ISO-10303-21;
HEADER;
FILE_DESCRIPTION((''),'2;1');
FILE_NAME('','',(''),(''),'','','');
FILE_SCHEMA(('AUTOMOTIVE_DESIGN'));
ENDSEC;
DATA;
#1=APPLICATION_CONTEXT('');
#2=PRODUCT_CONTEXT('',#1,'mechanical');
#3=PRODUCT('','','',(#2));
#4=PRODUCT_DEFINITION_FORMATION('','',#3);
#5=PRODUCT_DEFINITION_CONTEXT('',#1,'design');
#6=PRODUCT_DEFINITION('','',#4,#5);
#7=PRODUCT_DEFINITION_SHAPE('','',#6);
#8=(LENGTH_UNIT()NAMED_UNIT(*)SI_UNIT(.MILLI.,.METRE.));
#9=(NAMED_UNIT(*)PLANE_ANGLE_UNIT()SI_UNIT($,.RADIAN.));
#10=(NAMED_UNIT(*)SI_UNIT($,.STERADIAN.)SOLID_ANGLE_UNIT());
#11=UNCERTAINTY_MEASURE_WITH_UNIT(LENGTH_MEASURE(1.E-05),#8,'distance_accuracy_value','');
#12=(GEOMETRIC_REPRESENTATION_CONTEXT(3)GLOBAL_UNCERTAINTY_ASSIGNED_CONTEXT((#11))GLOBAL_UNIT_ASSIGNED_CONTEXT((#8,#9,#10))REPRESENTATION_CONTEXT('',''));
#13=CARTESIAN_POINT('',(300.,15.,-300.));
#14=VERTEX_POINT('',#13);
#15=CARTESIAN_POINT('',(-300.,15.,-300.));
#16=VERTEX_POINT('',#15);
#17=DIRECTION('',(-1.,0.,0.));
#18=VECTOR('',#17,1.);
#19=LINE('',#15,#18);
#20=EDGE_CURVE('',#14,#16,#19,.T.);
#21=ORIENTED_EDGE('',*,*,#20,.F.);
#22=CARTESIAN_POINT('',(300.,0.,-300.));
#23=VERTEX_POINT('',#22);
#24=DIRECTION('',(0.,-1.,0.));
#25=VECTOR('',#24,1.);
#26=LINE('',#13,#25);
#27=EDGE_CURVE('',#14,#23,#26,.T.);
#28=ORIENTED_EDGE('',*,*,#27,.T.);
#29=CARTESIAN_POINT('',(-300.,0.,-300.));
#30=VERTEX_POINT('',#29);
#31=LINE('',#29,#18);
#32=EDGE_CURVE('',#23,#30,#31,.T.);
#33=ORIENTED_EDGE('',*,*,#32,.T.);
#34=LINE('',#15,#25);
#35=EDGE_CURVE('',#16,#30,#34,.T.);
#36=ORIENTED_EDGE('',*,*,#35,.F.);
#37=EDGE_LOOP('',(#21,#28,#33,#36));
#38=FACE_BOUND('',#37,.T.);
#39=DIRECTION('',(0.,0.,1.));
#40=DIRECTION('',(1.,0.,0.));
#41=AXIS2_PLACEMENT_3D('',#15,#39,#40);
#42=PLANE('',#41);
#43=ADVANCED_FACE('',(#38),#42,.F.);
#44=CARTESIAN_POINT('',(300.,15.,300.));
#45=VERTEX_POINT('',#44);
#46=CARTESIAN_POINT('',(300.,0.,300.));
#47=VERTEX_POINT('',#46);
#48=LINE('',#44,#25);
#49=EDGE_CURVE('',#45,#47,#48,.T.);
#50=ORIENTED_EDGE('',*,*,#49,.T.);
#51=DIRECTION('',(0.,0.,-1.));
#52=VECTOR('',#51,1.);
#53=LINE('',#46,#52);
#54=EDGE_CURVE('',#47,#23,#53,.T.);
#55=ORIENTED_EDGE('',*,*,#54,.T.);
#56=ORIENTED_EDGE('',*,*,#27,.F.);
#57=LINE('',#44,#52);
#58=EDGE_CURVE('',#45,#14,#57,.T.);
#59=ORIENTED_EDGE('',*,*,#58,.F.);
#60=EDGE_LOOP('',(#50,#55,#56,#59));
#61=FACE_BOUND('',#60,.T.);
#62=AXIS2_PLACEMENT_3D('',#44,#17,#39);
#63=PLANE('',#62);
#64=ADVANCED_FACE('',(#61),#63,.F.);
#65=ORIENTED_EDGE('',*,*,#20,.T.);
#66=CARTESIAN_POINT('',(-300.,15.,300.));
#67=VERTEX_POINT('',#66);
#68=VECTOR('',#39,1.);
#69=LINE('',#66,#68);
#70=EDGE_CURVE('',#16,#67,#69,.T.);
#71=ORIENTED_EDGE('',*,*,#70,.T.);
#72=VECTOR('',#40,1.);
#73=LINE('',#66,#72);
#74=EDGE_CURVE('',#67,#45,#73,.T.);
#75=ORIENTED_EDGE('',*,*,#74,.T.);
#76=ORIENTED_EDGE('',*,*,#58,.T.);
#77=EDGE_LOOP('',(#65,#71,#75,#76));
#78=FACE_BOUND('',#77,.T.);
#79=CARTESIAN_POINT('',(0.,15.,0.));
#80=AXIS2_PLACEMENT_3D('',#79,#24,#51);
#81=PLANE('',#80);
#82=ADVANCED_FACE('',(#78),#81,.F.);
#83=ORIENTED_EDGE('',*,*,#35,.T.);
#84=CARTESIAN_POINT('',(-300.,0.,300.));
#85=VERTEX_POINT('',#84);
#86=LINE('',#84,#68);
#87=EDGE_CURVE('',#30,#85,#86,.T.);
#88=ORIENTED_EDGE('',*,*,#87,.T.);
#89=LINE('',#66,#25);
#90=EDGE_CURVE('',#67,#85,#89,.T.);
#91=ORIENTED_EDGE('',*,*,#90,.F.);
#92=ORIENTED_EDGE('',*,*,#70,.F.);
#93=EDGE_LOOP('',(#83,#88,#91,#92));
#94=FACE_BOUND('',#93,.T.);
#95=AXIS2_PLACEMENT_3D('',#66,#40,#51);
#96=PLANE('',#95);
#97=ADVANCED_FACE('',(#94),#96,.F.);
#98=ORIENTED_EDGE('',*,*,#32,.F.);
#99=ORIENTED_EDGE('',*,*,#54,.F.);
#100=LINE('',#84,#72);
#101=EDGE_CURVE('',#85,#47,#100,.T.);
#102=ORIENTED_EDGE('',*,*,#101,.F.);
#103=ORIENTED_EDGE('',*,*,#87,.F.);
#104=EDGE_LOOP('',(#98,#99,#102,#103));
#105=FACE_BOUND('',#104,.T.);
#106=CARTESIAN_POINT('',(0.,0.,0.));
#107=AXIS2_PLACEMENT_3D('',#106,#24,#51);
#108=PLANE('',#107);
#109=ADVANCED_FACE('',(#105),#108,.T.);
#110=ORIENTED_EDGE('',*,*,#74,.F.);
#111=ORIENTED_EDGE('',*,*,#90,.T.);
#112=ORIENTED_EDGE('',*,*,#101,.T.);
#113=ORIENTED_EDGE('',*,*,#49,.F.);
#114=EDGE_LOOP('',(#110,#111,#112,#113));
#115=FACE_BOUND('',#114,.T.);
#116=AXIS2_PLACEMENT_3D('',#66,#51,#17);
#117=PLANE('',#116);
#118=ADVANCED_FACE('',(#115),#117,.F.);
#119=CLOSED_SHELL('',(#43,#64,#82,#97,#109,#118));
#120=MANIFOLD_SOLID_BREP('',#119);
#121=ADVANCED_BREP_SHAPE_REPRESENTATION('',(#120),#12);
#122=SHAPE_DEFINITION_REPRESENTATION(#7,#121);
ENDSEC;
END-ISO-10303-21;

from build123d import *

# Parameters (mm, degrees)
ESBO_O1_W                = 600
ESBO_O1_H                = 600
RESSALTO_EXTRUS_O1_DEPTH = 15


with BuildPart() as part:
    # Esboço1 → Ressalto-extrusão1 (new body)
    with BuildSketch(Plane(origin=(0, 0, 0), x_dir=(1, 0, 0), z_dir=(0, 1, 0))):
        Rectangle(ESBO_O1_W, ESBO_O1_H)
    extrude(amount=RESSALTO_EXTRUS_O1_DEPTH)


solid = part.part
